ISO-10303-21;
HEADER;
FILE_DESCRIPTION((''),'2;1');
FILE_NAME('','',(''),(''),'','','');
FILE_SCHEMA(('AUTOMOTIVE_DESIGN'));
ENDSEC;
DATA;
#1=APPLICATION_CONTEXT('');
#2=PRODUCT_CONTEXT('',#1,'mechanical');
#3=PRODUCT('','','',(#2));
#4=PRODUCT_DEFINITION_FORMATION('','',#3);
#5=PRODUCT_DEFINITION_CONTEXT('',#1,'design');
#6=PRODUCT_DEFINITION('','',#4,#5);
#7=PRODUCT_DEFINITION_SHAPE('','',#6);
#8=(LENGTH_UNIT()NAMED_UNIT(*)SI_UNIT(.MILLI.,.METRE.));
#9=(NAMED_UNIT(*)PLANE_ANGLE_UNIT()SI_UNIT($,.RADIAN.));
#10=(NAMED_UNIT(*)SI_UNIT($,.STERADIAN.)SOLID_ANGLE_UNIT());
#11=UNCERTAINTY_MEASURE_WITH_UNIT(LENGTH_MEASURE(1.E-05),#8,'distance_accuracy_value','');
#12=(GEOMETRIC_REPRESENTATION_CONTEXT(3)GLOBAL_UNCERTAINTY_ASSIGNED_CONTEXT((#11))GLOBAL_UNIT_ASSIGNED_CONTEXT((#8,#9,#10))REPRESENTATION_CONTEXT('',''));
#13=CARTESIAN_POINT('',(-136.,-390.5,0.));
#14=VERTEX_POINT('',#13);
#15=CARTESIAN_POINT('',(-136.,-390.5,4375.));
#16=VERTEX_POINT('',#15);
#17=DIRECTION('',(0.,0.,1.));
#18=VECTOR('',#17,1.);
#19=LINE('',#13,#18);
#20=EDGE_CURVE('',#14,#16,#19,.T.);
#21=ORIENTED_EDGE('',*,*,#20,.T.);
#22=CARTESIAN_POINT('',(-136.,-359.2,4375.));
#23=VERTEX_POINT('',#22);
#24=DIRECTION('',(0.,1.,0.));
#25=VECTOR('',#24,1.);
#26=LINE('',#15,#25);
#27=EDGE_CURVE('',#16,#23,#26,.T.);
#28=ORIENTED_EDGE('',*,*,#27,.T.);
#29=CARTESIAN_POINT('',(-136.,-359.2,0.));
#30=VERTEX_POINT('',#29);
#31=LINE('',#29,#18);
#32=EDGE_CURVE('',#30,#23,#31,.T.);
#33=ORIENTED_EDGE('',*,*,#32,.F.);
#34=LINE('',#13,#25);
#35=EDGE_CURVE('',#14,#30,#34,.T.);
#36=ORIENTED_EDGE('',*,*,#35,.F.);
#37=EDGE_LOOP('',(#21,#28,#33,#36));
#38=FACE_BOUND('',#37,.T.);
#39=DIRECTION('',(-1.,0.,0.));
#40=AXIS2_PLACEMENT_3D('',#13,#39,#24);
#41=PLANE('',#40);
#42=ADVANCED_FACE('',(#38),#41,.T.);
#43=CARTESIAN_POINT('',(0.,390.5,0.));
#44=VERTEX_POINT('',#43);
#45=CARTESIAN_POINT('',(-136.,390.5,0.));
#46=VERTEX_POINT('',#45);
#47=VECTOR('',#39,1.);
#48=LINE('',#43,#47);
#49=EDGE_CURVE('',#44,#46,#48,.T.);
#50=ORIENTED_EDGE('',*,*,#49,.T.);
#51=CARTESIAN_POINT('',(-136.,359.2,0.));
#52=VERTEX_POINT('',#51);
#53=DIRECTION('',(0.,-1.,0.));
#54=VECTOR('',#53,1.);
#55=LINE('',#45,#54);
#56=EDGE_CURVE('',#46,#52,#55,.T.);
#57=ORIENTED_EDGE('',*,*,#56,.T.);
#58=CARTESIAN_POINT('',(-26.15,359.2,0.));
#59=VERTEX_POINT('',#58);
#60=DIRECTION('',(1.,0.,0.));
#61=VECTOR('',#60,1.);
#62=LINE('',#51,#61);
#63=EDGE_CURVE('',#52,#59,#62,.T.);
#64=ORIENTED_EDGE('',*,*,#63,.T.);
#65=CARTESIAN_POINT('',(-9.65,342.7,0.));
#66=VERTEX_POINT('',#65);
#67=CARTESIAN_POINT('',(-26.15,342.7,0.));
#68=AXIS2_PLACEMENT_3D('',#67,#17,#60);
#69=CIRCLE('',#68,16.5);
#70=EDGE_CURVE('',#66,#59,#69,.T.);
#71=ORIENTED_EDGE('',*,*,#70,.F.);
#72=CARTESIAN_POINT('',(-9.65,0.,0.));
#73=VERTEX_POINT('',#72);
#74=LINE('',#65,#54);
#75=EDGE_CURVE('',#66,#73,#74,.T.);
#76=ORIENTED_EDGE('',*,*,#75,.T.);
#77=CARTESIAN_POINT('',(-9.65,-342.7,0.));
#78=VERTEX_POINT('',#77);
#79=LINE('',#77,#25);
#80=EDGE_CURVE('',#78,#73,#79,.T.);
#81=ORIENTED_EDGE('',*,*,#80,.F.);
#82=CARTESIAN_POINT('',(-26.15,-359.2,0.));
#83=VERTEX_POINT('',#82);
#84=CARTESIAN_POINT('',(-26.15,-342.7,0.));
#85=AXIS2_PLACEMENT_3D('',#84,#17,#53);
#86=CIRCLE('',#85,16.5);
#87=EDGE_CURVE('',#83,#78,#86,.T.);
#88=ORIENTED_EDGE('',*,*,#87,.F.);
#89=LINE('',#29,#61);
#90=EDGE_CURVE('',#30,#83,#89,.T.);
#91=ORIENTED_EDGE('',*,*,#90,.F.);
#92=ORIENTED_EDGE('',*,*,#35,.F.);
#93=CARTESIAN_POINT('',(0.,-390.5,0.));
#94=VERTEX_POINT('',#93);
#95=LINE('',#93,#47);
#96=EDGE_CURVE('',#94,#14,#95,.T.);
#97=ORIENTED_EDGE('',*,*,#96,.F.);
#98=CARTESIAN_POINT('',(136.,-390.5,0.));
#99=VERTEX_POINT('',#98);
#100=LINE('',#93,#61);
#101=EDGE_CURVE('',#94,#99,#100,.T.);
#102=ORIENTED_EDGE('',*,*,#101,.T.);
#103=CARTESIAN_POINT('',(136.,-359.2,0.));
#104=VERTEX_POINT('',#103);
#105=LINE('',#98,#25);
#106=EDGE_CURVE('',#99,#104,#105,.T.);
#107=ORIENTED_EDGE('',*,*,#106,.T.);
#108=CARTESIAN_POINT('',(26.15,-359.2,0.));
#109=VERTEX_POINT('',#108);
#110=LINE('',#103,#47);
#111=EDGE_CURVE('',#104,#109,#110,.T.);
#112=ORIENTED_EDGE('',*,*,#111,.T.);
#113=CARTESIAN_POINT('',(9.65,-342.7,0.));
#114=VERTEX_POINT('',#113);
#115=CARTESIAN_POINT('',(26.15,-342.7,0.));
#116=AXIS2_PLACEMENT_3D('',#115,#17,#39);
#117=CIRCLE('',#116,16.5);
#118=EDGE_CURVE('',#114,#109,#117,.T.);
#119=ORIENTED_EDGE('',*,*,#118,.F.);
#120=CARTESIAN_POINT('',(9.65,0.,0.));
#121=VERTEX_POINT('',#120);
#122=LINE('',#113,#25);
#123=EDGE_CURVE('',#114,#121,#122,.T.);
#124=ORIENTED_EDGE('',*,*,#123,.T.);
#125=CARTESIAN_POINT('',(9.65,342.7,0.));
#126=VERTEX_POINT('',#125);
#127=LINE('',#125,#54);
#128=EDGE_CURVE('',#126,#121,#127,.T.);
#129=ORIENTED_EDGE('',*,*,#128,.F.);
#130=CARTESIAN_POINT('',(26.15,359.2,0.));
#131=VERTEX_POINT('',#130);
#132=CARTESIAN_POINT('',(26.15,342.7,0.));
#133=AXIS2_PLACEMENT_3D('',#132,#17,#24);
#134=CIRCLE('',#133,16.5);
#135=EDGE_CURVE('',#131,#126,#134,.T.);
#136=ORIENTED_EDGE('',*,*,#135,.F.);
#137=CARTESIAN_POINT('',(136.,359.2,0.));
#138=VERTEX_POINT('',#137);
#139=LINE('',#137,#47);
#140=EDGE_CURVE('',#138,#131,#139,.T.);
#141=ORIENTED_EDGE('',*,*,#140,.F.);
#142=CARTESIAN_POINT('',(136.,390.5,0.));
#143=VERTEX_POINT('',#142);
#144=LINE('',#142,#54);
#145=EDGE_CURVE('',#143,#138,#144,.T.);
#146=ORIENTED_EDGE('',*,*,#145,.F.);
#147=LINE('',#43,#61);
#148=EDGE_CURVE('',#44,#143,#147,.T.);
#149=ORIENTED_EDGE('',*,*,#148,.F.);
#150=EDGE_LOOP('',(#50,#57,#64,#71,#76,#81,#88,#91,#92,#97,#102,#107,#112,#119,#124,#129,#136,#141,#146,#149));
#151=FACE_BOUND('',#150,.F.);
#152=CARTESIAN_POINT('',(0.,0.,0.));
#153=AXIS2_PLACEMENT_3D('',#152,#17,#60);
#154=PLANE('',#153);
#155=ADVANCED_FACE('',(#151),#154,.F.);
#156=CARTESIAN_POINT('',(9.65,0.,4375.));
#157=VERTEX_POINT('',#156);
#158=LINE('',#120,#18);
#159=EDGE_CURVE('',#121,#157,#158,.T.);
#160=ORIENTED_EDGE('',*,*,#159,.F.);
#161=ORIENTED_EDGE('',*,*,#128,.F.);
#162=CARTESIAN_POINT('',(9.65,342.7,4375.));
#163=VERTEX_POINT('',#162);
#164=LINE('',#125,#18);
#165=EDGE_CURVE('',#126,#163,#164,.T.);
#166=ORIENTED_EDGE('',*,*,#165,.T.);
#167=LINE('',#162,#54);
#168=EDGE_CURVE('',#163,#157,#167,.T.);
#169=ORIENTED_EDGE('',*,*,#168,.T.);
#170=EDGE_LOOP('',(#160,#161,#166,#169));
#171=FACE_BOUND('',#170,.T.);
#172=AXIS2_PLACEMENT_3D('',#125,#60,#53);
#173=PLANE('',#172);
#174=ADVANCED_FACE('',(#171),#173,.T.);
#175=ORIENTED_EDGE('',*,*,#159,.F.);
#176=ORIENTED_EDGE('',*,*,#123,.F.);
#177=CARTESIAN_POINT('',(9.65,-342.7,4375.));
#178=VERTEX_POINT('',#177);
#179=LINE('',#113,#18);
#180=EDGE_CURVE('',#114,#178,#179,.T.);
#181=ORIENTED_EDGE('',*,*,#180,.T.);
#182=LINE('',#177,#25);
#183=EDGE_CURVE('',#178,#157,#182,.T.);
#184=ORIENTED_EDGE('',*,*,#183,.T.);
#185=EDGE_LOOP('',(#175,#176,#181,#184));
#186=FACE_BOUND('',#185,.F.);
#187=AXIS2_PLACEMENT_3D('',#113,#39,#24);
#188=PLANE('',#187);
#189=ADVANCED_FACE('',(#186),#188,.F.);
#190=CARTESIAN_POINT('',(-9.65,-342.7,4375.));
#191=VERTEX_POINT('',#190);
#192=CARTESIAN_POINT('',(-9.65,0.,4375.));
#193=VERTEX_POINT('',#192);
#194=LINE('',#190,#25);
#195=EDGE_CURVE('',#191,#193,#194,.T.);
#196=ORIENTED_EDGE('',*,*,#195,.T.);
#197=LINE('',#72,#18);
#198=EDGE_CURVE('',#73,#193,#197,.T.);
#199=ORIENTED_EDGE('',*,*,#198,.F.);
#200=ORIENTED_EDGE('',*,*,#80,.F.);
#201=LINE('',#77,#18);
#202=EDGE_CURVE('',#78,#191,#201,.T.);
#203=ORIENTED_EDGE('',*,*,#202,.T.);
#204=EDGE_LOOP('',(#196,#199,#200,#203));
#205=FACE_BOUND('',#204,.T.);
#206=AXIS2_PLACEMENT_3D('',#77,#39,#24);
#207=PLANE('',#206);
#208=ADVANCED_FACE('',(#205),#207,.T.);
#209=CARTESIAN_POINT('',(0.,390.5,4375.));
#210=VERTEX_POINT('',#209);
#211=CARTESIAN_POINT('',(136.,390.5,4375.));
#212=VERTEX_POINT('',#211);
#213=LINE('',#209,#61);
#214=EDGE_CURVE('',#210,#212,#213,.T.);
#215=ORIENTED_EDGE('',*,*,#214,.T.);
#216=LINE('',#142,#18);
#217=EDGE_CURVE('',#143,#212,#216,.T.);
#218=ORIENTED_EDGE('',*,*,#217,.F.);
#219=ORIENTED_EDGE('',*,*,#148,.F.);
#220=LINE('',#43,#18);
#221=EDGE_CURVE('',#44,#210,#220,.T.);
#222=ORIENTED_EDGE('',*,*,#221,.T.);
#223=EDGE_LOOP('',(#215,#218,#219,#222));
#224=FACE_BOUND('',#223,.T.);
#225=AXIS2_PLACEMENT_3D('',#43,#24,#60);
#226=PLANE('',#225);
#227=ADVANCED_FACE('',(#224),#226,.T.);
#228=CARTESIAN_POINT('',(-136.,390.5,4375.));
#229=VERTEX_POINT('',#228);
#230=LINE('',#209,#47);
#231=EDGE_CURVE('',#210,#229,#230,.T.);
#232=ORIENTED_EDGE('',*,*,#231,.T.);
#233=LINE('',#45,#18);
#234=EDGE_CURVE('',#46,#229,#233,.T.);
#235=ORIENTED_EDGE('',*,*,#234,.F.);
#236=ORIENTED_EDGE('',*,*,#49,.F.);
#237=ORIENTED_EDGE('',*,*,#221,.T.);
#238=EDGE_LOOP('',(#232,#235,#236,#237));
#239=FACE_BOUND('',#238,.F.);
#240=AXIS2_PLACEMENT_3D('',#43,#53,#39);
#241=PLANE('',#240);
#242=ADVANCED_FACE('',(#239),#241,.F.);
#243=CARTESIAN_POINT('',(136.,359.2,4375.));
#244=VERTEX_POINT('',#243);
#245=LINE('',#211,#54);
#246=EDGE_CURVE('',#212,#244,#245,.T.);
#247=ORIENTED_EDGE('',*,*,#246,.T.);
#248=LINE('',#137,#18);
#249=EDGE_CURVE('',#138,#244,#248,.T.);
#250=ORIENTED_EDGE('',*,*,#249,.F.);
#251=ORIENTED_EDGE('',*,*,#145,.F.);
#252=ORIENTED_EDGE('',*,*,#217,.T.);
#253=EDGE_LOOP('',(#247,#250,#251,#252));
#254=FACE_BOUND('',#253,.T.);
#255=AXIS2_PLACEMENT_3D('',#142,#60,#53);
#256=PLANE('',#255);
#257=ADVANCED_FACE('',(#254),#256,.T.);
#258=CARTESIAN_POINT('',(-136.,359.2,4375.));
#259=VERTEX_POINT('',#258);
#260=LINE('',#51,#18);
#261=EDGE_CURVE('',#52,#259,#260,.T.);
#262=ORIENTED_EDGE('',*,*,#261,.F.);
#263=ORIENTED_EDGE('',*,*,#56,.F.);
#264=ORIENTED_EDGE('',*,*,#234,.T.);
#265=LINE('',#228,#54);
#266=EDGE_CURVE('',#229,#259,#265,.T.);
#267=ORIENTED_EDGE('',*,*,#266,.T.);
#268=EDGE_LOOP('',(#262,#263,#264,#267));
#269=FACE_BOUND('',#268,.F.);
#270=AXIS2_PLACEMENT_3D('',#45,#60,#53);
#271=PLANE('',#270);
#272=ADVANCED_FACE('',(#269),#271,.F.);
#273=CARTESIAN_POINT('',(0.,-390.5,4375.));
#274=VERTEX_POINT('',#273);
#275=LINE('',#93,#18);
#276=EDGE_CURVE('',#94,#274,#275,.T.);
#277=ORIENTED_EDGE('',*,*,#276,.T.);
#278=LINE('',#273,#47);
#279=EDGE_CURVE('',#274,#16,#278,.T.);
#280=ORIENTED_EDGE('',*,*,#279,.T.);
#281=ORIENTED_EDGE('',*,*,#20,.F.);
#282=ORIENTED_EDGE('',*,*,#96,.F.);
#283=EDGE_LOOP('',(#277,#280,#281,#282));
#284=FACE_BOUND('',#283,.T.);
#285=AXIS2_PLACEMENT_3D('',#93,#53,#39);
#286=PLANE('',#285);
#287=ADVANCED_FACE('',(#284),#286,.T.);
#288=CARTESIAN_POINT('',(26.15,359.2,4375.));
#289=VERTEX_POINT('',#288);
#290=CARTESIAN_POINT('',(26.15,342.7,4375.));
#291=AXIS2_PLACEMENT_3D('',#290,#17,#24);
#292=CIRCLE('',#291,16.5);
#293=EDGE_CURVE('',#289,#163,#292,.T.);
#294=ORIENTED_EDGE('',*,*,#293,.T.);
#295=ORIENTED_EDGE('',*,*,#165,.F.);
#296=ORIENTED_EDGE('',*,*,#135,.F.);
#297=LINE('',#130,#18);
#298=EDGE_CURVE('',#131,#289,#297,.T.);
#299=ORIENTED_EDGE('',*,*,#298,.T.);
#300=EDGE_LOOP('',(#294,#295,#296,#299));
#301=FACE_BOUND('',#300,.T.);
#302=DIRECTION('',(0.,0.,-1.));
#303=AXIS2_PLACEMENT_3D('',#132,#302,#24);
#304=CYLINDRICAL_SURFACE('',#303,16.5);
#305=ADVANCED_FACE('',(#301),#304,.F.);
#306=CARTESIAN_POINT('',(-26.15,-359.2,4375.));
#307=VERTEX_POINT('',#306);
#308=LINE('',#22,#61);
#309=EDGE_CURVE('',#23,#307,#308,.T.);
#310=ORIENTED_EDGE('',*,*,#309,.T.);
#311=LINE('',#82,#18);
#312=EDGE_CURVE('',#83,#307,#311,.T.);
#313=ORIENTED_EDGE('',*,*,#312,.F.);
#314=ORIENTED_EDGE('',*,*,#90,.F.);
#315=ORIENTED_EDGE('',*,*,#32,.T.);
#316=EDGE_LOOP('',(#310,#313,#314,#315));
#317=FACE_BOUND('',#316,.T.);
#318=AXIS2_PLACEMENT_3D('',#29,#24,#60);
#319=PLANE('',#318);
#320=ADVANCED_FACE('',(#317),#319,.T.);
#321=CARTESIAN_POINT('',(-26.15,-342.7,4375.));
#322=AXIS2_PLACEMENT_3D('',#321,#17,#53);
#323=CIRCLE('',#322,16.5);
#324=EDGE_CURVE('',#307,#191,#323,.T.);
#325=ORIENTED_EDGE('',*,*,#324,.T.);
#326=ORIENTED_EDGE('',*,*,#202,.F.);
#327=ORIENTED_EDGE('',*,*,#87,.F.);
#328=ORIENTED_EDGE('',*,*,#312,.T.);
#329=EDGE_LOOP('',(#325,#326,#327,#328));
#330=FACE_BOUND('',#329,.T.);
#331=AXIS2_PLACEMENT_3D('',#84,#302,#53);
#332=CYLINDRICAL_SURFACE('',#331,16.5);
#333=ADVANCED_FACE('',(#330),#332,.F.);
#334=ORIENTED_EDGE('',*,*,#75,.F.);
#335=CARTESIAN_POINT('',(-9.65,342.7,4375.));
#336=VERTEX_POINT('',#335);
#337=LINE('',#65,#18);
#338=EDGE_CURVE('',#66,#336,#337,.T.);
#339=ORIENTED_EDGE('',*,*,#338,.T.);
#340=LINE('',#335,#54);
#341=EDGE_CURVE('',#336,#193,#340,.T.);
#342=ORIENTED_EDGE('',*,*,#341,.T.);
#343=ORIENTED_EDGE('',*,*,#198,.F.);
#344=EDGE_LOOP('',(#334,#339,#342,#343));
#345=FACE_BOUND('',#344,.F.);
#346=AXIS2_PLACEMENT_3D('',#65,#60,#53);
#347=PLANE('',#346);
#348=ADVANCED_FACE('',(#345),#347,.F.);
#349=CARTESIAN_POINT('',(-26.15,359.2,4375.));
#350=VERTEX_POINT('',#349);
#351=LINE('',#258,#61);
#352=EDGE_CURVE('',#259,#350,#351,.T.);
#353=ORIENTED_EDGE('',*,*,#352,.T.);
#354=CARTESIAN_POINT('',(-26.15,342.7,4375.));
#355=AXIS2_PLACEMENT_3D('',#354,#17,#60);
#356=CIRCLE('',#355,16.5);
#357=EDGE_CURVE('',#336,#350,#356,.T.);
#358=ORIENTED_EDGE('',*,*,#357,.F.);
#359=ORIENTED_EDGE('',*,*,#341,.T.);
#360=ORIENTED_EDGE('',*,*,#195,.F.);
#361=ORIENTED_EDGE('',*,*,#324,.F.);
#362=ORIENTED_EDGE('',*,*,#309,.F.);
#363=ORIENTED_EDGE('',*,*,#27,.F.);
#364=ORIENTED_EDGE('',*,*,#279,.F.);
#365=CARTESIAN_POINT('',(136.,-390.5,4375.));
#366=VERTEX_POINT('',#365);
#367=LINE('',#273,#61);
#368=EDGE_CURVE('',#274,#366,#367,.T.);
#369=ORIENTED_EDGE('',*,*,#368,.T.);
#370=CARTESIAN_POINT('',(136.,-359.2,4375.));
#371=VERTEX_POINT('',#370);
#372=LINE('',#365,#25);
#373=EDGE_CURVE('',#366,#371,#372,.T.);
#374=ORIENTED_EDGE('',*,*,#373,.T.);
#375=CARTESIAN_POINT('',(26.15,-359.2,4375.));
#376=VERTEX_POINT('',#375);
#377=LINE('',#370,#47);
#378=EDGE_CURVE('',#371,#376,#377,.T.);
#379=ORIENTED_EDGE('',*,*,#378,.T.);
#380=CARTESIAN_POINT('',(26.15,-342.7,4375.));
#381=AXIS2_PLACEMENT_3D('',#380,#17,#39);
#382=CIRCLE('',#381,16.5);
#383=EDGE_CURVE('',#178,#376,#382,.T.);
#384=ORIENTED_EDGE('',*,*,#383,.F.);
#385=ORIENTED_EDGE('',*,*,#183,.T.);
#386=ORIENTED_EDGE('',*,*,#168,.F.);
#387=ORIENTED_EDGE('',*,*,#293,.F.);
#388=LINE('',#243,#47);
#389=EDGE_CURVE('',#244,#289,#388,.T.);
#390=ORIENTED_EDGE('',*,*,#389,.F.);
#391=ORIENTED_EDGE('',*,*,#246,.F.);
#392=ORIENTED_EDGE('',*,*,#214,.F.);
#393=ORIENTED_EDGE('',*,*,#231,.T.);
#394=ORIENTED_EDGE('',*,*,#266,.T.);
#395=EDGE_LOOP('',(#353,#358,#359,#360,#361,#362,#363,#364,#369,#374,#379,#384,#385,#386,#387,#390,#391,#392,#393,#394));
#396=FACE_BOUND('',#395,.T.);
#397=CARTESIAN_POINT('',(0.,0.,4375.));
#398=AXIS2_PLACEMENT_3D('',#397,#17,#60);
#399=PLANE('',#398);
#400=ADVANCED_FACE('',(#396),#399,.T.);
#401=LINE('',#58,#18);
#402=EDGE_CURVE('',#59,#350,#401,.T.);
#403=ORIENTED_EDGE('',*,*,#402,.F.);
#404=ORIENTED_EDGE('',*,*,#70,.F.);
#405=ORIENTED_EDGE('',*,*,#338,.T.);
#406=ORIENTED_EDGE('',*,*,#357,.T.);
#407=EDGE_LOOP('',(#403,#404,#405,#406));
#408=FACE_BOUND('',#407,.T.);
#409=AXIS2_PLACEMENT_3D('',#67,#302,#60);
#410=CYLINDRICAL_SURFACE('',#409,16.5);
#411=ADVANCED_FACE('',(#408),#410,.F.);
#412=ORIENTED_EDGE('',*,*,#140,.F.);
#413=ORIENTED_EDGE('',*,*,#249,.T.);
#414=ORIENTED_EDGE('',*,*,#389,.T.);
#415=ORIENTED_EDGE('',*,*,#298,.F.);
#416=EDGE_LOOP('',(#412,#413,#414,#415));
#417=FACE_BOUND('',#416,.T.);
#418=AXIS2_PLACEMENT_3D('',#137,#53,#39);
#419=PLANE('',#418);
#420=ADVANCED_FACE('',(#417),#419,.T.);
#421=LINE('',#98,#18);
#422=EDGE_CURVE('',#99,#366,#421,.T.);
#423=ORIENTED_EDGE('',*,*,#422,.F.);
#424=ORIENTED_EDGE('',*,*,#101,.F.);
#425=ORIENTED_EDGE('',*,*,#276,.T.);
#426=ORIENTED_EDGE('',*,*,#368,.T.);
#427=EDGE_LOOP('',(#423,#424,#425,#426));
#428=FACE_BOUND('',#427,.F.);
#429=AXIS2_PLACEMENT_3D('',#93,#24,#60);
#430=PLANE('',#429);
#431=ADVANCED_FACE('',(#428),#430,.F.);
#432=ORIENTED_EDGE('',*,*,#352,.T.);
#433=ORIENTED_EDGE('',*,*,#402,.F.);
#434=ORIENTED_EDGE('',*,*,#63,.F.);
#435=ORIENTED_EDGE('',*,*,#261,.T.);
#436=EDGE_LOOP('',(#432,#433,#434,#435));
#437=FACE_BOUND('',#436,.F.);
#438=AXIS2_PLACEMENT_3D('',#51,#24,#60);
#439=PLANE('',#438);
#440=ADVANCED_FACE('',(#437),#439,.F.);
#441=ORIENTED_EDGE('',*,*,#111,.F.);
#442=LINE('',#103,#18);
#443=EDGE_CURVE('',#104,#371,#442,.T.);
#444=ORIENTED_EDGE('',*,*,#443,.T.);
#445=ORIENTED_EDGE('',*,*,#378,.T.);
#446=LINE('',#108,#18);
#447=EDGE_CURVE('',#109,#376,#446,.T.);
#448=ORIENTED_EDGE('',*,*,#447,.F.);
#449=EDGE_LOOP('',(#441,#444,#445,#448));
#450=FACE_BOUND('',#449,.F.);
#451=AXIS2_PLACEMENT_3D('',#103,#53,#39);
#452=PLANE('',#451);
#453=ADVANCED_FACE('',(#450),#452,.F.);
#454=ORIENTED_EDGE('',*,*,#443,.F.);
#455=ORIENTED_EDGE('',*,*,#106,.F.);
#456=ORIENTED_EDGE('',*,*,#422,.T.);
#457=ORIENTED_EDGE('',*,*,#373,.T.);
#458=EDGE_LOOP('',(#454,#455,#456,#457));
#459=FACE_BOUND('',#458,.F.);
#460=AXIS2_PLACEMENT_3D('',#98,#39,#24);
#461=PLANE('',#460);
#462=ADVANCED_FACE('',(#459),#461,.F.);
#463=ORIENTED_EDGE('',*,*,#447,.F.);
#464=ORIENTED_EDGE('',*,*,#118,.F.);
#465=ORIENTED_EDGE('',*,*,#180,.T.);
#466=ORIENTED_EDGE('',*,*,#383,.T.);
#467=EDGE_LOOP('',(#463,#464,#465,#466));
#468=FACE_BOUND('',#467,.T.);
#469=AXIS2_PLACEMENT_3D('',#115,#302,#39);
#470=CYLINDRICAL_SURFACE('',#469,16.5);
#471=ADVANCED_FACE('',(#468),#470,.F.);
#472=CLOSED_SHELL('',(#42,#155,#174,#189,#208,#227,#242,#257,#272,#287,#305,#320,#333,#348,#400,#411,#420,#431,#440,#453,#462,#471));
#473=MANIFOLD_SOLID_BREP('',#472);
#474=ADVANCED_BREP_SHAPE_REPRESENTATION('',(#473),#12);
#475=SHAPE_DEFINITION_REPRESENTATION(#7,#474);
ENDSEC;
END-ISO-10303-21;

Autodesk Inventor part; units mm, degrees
ref_plane "YZ Plane" through (0, 0, 0) normal (1, 0, 0) x (0, 1, 0)
ref_plane "Start plane" through (0, 0, 0) normal (0, 0, 1) x (1, 0, 0)
ref_plane "End plane" through (0, 0, 4375) normal (0, 0, 1) x (1, 0, 0)
sketch "Sketch" plane through (0, 0, 0) normal (0, 0, 1) x (1, 0, 0)
  line L0 (-136, -390.5) -> (-136, -359.2)
  line L1 (-136, -359.2) -> (-26.15, -359.2)
  line L2 (-9.65, -342.7) -> (-9.65, 0)
  line L3 (-9.65, 0) -> (0, 0) construction
  line L4 (0, 0) -> (0, -390.5) construction
  line L5 (0, -390.5) -> (-136, -390.5)
  line L6 (-60, 0) -> (80, 0) construction
  line L7 (0, -60) -> (0, 80) construction
  line L8 (136, -390.5) -> (136, -359.2)
  line L9 (136, -359.2) -> (26.15, -359.2)
  line L10 (9.65, -342.7) -> (9.65, 0)
  line L11 (9.65, 0) -> (0, 0) construction
  line L12 (0, -390.5) -> (136, -390.5)
  line L13 (-136, 390.5) -> (-136, 359.2)
  line L14 (-136, 359.2) -> (-26.15, 359.2)
  line L15 (-9.65, 342.7) -> (-9.65, 0)
  line L16 (0, 390.5) -> (-136, 390.5)
  line L17 (136, 390.5) -> (136, 359.2)
  line L18 (136, 359.2) -> (26.15, 359.2)
  line L19 (0, 390.5) -> (136, 390.5)
  line L20 (9.65, 342.7) -> (9.65, 0)
  arc A0 (-9.65, 342.7) -> (-26.15, 359.2) centre (-26.15, 342.7) ccw
  arc A1 (26.15, 359.2) -> (9.65, 342.7) centre (26.15, 342.7) ccw
  arc A2 (9.65, -342.7) -> (26.15, -359.2) centre (26.15, -342.7) ccw
  arc A3 (-26.15, -359.2) -> (-9.65, -342.7) centre (-26.15, -342.7) ccw
  line L21 (0, 108) -> (0, -88) construction
  line L22 (-88, 0) -> (108, 0) construction
  point P0 (-9.65, -359.2)
  point P1 (9.65, -359.2)
  point P2 (-9.65, 359.2)
  point P3 (9.65, 359.2)
  dimension "d1" = 390.5
  dimension "d2" = 31.3
  dimension "d3" = 136
  dimension "d4" = 9.65
  dimension "d10" = 16.5
extrude "Body" add sketch "Sketch" along normal up to surface (4375 mm away) from surface at 0
sketch "Sketch4" plane through (0, 0, 0) normal (0, 0, 1) x (1, 0, 0)
  line L0 (0, 0) -> (10, 0)
ref_plane "Work Plane3" through (0, 0, 0) normal (0, -1, 0) x (1, 0, 0)
sketch "Sketch5" plane through (0, 0, 0) normal (0, -1, 0) x (1, 0, 0)
  line L0 (-2, 0) -> (12, 0) projected
  line L1 (-2, 4375) -> (12, 4375) projected
  dimension "d14" = 4375
equation "\"d1\" = 0.5 * G_H"
equation "\"d2\" = G_T1"
equation "\"d3\" = 0.5 * G_W"
equation "\"d4\" = 0.5 * G_T"
equation "\"d10\" = G_IR"
equation "\"d5\" = G_L"
equation "\"G_W\" = 272"
equation "\"G_H\" = 781"
equation "\"G_T\" = 19.3"
equation "\"G_T1\" = 31.3"
equation "\"G_IR\" = 16.5"
equation "\"G_L\" = d14"
equation "\"G_OFFSET_START\" = 0"
equation "\"G_OFFSET_END\" = 0"
equation "\"d12\" = G_OFFSET_END + B_L"
equation "\"B_L\" = 4375"
properties part number "AS 3679-1990 - 760 UB - 244 - 4375" material "Steel, Mild"
